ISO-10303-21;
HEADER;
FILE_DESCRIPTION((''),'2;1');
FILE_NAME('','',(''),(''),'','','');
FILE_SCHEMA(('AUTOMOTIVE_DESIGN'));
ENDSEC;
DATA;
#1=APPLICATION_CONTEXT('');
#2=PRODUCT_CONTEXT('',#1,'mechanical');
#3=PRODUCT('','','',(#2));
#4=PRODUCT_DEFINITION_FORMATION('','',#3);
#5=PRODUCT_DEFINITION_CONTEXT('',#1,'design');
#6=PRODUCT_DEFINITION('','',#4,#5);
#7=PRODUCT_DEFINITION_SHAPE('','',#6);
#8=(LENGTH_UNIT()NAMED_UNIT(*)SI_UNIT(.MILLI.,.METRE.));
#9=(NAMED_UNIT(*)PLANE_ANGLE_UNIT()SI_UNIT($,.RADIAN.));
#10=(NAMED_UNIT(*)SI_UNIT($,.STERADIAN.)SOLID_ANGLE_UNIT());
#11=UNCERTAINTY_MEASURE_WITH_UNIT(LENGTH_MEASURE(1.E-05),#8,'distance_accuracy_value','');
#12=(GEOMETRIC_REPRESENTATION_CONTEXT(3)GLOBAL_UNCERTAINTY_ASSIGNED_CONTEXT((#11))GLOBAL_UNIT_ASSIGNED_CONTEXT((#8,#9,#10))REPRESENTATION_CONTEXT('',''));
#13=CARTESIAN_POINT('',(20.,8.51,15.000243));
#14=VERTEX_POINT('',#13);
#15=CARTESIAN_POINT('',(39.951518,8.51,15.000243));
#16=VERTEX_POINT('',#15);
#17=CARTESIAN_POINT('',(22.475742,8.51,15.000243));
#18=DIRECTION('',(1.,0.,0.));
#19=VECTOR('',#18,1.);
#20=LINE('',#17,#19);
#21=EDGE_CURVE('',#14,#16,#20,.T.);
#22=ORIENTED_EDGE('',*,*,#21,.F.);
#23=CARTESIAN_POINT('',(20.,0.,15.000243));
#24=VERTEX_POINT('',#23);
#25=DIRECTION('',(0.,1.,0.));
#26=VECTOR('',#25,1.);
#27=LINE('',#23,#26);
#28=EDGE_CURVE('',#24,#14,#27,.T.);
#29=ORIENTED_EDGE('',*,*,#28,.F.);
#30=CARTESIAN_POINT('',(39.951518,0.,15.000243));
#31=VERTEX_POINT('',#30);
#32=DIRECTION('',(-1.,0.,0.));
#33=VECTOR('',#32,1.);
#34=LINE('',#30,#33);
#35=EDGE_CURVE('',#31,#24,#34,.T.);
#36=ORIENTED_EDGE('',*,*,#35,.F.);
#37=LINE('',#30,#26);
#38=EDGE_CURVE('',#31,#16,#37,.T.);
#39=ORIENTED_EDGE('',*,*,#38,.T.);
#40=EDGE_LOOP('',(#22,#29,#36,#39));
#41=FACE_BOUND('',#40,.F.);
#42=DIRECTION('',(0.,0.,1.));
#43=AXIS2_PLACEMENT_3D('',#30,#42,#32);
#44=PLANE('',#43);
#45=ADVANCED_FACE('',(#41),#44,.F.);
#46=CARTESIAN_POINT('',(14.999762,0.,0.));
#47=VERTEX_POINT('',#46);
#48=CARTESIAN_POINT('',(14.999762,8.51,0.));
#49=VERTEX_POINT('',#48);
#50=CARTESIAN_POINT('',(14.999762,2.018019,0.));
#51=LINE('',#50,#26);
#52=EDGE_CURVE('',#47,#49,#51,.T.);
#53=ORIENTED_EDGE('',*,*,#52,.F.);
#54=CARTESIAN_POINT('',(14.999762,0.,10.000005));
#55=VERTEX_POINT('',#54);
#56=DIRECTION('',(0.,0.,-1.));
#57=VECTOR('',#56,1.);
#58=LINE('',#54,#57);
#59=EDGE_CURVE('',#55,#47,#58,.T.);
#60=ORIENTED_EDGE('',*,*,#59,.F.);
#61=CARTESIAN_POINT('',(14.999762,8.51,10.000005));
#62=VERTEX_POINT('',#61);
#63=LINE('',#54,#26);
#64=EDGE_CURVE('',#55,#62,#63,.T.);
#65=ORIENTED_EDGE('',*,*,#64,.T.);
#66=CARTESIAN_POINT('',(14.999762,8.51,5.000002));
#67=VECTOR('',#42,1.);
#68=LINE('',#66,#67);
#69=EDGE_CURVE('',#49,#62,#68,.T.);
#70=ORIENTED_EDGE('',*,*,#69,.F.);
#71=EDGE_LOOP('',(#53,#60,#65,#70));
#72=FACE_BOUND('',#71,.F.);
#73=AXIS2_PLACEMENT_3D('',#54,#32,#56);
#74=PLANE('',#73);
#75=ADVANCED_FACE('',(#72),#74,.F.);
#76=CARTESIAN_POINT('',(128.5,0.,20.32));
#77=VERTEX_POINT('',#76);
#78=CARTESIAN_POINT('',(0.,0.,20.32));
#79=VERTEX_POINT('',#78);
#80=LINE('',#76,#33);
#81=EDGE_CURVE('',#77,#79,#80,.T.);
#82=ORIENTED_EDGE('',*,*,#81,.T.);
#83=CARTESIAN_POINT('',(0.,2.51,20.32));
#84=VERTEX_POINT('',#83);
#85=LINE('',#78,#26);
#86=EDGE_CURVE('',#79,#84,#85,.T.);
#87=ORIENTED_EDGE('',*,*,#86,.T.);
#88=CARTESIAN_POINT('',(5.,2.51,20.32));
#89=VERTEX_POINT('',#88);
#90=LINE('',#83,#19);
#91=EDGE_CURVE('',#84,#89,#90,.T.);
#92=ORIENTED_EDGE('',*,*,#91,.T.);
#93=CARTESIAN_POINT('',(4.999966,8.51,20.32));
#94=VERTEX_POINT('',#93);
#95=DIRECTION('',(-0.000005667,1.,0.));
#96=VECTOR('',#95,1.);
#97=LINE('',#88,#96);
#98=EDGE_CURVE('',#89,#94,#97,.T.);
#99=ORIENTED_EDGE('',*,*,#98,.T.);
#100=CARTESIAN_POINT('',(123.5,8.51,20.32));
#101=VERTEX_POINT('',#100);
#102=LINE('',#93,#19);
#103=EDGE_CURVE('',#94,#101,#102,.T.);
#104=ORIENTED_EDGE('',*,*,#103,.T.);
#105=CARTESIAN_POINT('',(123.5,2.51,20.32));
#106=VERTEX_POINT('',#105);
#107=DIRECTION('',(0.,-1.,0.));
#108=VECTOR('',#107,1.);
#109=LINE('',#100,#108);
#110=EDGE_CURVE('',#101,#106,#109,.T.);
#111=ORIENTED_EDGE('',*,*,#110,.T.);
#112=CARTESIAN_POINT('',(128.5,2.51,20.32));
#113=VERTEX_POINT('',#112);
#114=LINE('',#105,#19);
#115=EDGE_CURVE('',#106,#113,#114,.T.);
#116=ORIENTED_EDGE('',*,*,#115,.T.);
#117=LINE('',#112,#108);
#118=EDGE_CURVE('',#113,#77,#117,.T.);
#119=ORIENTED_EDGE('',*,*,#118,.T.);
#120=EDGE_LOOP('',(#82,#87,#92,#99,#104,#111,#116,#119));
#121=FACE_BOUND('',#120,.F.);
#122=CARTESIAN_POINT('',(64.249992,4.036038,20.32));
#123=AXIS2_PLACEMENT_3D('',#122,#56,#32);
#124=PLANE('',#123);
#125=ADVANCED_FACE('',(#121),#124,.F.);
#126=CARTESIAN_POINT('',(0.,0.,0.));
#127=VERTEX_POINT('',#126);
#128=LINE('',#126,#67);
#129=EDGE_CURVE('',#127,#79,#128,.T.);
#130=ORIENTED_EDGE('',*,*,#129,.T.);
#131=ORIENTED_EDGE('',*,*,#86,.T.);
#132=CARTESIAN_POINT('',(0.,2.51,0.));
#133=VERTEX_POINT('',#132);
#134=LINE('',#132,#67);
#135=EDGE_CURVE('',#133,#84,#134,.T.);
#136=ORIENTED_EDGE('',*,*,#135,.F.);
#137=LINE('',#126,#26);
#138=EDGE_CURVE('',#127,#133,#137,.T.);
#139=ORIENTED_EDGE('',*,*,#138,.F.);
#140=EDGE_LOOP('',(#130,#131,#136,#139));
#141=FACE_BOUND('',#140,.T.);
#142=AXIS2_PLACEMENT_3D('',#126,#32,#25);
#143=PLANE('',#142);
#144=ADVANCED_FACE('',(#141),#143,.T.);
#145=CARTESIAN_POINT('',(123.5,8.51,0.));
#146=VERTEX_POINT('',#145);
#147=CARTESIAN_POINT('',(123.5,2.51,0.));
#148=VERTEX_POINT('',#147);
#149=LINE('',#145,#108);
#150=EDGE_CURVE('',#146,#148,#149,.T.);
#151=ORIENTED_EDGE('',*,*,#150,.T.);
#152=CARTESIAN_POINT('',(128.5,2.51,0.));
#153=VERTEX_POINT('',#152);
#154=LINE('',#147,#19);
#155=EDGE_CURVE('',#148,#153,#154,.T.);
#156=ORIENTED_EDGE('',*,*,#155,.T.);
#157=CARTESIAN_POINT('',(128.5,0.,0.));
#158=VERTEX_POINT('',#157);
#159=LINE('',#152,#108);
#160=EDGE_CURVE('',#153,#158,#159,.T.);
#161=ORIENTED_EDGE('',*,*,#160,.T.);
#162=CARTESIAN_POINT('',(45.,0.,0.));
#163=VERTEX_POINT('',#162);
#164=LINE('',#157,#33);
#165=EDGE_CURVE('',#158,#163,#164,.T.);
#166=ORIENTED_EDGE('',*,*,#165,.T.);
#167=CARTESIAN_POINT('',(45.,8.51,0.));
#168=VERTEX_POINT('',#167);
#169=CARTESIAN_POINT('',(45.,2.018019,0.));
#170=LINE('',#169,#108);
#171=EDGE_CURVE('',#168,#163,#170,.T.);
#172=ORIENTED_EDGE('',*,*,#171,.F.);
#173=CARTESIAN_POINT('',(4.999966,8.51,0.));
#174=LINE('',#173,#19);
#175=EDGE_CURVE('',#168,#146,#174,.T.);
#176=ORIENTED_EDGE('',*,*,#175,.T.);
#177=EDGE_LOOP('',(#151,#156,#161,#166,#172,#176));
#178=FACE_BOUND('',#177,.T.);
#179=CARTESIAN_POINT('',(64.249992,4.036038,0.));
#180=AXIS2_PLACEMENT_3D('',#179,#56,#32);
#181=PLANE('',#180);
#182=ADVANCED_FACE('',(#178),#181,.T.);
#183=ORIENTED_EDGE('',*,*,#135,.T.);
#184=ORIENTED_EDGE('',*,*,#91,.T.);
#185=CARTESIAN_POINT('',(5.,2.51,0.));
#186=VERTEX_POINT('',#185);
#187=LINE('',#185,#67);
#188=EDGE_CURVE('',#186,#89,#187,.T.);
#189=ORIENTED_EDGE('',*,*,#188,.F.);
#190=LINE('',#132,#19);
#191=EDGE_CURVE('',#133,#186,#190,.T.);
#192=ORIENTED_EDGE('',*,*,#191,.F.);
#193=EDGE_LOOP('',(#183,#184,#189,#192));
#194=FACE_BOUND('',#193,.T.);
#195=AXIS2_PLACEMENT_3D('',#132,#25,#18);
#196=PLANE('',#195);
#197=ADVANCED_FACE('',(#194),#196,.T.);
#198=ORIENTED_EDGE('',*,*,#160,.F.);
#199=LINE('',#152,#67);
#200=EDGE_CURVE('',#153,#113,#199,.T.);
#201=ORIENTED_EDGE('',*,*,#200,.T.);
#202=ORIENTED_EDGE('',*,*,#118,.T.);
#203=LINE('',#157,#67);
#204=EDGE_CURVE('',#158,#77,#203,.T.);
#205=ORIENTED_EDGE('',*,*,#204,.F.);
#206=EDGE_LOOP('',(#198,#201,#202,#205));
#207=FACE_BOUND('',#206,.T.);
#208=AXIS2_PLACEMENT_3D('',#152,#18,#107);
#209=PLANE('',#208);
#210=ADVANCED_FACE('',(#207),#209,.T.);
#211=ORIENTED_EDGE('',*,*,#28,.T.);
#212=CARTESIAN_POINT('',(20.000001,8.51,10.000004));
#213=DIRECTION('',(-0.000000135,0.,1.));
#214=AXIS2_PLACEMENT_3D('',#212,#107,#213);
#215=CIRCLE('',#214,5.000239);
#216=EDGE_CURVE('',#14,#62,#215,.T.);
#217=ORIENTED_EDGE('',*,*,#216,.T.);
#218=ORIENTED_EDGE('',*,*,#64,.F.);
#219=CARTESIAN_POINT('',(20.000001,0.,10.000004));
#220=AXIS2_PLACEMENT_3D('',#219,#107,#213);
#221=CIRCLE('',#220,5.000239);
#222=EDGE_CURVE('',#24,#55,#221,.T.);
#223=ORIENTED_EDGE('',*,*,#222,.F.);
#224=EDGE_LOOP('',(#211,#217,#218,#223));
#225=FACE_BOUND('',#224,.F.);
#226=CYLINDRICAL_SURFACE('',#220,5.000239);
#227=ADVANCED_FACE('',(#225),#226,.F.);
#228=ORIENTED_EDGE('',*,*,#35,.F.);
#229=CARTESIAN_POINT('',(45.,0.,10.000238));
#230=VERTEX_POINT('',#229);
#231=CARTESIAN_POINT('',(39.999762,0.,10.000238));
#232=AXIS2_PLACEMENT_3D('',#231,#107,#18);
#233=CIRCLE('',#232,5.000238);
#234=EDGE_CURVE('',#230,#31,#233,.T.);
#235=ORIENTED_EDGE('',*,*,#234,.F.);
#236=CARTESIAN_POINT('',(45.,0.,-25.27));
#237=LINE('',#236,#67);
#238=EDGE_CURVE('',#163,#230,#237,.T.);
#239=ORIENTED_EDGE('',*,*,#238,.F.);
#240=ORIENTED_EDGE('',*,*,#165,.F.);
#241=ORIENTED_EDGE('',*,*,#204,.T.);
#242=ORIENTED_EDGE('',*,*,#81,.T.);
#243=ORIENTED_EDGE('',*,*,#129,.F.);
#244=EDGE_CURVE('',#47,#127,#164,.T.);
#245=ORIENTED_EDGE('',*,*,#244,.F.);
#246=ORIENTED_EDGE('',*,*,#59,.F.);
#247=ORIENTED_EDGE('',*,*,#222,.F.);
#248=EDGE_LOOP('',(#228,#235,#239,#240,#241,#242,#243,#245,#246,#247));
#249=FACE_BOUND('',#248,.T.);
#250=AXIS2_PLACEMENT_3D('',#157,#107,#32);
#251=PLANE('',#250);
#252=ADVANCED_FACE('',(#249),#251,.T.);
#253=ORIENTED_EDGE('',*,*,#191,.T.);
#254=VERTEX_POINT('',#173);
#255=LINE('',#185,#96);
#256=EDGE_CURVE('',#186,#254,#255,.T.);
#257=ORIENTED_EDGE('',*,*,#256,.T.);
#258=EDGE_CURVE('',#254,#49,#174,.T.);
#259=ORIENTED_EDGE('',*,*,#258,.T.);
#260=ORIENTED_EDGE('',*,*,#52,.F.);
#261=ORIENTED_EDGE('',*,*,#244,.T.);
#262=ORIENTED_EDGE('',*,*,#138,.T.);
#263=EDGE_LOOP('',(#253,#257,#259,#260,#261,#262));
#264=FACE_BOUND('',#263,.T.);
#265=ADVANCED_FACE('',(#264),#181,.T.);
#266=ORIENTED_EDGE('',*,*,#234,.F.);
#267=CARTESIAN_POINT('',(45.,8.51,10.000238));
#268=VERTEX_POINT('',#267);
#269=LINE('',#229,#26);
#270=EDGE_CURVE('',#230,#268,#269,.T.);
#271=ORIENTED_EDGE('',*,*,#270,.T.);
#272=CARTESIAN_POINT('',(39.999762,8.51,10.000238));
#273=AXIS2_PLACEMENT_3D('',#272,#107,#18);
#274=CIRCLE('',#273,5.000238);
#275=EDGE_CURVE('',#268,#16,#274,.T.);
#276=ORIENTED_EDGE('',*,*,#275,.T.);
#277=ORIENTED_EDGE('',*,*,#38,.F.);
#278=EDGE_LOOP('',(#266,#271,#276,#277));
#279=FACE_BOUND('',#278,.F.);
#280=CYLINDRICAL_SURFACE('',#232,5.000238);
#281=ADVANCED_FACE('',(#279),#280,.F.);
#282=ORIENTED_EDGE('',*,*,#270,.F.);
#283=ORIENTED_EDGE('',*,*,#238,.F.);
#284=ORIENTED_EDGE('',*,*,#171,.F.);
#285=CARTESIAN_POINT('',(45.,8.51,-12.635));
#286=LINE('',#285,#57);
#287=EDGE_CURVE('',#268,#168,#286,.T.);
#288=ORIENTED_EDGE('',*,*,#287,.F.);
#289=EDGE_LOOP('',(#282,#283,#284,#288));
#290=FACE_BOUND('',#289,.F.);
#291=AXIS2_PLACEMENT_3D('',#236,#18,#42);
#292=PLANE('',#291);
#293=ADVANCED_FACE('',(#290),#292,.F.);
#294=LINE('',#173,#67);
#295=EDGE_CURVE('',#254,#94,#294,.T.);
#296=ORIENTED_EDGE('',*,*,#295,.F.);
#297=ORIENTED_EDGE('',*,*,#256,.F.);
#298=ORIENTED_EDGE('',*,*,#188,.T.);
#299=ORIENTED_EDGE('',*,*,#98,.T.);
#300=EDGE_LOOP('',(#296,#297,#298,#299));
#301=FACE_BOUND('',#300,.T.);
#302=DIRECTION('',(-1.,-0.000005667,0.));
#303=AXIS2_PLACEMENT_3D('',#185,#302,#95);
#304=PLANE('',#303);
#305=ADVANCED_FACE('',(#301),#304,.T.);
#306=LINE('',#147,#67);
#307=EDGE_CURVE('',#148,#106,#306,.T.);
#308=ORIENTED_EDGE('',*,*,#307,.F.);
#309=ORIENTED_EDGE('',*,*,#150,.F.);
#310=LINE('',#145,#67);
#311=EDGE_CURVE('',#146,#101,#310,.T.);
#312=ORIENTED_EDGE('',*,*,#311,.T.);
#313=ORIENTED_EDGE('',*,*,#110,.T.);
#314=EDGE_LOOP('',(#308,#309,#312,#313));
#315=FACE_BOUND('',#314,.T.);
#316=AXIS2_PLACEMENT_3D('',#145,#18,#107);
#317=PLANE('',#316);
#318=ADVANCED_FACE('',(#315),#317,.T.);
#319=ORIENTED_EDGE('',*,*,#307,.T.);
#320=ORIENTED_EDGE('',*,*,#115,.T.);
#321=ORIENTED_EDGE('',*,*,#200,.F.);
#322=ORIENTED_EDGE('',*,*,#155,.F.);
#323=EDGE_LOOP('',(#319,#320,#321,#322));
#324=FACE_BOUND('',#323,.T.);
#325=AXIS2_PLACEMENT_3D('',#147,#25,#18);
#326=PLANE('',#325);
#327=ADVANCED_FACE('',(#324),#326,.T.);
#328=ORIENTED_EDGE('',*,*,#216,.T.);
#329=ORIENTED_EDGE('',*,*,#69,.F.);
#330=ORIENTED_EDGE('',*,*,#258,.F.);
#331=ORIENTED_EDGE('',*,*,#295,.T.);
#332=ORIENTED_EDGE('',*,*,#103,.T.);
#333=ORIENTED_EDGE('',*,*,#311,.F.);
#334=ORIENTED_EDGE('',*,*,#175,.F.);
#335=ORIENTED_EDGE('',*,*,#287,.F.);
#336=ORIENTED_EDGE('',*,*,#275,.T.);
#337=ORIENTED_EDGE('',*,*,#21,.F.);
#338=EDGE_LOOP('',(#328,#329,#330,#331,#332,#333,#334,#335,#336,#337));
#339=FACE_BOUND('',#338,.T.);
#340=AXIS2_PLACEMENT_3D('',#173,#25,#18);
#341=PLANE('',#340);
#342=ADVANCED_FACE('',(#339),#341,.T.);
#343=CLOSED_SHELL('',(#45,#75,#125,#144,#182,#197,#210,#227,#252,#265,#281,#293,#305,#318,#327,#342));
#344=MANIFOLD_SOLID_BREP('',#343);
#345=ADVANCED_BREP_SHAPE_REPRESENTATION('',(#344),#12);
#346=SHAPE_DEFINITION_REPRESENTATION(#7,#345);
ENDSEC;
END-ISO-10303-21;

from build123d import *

# Parameters (mm, degrees)
PAD_DEPTH    = 20.32
POCKET_DEPTH = 21


with BuildPart() as part:
    # Sketch → Pad (new body)
    with BuildSketch(Plane.XY):
        Polygon((0, 0), (0, 2.51), (5, 2.51), (4.999966, 8.51), (123.5, 8.51), (123.5, 2.51), (128.5, 2.51), (128.5, 0), align=None)
    extrude(amount=PAD_DEPTH)

    # Sketch002 → Pocket (cut)
    with BuildSketch(Plane.XZ):
        with BuildLine():
            ThreePointArc((20, 15.000243), (16.464298, 13.535707), (14.999762, 10.000005))
            Line((14.999762, 10.000005), (14.999762, -25.27))
            Line((14.999762, -25.27), (45, -25.27))
            Line((45, -25.27), (45, 10.000238))
            ThreePointArc((45, 10.000238), (43.518366, 13.552956), (39.951518, 15.000243))
            Line((39.951518, 15.000243), (20, 15.000243))
        make_face()
    extrude(amount=-POCKET_DEPTH, mode=Mode.SUBTRACT)


solid = part.part
